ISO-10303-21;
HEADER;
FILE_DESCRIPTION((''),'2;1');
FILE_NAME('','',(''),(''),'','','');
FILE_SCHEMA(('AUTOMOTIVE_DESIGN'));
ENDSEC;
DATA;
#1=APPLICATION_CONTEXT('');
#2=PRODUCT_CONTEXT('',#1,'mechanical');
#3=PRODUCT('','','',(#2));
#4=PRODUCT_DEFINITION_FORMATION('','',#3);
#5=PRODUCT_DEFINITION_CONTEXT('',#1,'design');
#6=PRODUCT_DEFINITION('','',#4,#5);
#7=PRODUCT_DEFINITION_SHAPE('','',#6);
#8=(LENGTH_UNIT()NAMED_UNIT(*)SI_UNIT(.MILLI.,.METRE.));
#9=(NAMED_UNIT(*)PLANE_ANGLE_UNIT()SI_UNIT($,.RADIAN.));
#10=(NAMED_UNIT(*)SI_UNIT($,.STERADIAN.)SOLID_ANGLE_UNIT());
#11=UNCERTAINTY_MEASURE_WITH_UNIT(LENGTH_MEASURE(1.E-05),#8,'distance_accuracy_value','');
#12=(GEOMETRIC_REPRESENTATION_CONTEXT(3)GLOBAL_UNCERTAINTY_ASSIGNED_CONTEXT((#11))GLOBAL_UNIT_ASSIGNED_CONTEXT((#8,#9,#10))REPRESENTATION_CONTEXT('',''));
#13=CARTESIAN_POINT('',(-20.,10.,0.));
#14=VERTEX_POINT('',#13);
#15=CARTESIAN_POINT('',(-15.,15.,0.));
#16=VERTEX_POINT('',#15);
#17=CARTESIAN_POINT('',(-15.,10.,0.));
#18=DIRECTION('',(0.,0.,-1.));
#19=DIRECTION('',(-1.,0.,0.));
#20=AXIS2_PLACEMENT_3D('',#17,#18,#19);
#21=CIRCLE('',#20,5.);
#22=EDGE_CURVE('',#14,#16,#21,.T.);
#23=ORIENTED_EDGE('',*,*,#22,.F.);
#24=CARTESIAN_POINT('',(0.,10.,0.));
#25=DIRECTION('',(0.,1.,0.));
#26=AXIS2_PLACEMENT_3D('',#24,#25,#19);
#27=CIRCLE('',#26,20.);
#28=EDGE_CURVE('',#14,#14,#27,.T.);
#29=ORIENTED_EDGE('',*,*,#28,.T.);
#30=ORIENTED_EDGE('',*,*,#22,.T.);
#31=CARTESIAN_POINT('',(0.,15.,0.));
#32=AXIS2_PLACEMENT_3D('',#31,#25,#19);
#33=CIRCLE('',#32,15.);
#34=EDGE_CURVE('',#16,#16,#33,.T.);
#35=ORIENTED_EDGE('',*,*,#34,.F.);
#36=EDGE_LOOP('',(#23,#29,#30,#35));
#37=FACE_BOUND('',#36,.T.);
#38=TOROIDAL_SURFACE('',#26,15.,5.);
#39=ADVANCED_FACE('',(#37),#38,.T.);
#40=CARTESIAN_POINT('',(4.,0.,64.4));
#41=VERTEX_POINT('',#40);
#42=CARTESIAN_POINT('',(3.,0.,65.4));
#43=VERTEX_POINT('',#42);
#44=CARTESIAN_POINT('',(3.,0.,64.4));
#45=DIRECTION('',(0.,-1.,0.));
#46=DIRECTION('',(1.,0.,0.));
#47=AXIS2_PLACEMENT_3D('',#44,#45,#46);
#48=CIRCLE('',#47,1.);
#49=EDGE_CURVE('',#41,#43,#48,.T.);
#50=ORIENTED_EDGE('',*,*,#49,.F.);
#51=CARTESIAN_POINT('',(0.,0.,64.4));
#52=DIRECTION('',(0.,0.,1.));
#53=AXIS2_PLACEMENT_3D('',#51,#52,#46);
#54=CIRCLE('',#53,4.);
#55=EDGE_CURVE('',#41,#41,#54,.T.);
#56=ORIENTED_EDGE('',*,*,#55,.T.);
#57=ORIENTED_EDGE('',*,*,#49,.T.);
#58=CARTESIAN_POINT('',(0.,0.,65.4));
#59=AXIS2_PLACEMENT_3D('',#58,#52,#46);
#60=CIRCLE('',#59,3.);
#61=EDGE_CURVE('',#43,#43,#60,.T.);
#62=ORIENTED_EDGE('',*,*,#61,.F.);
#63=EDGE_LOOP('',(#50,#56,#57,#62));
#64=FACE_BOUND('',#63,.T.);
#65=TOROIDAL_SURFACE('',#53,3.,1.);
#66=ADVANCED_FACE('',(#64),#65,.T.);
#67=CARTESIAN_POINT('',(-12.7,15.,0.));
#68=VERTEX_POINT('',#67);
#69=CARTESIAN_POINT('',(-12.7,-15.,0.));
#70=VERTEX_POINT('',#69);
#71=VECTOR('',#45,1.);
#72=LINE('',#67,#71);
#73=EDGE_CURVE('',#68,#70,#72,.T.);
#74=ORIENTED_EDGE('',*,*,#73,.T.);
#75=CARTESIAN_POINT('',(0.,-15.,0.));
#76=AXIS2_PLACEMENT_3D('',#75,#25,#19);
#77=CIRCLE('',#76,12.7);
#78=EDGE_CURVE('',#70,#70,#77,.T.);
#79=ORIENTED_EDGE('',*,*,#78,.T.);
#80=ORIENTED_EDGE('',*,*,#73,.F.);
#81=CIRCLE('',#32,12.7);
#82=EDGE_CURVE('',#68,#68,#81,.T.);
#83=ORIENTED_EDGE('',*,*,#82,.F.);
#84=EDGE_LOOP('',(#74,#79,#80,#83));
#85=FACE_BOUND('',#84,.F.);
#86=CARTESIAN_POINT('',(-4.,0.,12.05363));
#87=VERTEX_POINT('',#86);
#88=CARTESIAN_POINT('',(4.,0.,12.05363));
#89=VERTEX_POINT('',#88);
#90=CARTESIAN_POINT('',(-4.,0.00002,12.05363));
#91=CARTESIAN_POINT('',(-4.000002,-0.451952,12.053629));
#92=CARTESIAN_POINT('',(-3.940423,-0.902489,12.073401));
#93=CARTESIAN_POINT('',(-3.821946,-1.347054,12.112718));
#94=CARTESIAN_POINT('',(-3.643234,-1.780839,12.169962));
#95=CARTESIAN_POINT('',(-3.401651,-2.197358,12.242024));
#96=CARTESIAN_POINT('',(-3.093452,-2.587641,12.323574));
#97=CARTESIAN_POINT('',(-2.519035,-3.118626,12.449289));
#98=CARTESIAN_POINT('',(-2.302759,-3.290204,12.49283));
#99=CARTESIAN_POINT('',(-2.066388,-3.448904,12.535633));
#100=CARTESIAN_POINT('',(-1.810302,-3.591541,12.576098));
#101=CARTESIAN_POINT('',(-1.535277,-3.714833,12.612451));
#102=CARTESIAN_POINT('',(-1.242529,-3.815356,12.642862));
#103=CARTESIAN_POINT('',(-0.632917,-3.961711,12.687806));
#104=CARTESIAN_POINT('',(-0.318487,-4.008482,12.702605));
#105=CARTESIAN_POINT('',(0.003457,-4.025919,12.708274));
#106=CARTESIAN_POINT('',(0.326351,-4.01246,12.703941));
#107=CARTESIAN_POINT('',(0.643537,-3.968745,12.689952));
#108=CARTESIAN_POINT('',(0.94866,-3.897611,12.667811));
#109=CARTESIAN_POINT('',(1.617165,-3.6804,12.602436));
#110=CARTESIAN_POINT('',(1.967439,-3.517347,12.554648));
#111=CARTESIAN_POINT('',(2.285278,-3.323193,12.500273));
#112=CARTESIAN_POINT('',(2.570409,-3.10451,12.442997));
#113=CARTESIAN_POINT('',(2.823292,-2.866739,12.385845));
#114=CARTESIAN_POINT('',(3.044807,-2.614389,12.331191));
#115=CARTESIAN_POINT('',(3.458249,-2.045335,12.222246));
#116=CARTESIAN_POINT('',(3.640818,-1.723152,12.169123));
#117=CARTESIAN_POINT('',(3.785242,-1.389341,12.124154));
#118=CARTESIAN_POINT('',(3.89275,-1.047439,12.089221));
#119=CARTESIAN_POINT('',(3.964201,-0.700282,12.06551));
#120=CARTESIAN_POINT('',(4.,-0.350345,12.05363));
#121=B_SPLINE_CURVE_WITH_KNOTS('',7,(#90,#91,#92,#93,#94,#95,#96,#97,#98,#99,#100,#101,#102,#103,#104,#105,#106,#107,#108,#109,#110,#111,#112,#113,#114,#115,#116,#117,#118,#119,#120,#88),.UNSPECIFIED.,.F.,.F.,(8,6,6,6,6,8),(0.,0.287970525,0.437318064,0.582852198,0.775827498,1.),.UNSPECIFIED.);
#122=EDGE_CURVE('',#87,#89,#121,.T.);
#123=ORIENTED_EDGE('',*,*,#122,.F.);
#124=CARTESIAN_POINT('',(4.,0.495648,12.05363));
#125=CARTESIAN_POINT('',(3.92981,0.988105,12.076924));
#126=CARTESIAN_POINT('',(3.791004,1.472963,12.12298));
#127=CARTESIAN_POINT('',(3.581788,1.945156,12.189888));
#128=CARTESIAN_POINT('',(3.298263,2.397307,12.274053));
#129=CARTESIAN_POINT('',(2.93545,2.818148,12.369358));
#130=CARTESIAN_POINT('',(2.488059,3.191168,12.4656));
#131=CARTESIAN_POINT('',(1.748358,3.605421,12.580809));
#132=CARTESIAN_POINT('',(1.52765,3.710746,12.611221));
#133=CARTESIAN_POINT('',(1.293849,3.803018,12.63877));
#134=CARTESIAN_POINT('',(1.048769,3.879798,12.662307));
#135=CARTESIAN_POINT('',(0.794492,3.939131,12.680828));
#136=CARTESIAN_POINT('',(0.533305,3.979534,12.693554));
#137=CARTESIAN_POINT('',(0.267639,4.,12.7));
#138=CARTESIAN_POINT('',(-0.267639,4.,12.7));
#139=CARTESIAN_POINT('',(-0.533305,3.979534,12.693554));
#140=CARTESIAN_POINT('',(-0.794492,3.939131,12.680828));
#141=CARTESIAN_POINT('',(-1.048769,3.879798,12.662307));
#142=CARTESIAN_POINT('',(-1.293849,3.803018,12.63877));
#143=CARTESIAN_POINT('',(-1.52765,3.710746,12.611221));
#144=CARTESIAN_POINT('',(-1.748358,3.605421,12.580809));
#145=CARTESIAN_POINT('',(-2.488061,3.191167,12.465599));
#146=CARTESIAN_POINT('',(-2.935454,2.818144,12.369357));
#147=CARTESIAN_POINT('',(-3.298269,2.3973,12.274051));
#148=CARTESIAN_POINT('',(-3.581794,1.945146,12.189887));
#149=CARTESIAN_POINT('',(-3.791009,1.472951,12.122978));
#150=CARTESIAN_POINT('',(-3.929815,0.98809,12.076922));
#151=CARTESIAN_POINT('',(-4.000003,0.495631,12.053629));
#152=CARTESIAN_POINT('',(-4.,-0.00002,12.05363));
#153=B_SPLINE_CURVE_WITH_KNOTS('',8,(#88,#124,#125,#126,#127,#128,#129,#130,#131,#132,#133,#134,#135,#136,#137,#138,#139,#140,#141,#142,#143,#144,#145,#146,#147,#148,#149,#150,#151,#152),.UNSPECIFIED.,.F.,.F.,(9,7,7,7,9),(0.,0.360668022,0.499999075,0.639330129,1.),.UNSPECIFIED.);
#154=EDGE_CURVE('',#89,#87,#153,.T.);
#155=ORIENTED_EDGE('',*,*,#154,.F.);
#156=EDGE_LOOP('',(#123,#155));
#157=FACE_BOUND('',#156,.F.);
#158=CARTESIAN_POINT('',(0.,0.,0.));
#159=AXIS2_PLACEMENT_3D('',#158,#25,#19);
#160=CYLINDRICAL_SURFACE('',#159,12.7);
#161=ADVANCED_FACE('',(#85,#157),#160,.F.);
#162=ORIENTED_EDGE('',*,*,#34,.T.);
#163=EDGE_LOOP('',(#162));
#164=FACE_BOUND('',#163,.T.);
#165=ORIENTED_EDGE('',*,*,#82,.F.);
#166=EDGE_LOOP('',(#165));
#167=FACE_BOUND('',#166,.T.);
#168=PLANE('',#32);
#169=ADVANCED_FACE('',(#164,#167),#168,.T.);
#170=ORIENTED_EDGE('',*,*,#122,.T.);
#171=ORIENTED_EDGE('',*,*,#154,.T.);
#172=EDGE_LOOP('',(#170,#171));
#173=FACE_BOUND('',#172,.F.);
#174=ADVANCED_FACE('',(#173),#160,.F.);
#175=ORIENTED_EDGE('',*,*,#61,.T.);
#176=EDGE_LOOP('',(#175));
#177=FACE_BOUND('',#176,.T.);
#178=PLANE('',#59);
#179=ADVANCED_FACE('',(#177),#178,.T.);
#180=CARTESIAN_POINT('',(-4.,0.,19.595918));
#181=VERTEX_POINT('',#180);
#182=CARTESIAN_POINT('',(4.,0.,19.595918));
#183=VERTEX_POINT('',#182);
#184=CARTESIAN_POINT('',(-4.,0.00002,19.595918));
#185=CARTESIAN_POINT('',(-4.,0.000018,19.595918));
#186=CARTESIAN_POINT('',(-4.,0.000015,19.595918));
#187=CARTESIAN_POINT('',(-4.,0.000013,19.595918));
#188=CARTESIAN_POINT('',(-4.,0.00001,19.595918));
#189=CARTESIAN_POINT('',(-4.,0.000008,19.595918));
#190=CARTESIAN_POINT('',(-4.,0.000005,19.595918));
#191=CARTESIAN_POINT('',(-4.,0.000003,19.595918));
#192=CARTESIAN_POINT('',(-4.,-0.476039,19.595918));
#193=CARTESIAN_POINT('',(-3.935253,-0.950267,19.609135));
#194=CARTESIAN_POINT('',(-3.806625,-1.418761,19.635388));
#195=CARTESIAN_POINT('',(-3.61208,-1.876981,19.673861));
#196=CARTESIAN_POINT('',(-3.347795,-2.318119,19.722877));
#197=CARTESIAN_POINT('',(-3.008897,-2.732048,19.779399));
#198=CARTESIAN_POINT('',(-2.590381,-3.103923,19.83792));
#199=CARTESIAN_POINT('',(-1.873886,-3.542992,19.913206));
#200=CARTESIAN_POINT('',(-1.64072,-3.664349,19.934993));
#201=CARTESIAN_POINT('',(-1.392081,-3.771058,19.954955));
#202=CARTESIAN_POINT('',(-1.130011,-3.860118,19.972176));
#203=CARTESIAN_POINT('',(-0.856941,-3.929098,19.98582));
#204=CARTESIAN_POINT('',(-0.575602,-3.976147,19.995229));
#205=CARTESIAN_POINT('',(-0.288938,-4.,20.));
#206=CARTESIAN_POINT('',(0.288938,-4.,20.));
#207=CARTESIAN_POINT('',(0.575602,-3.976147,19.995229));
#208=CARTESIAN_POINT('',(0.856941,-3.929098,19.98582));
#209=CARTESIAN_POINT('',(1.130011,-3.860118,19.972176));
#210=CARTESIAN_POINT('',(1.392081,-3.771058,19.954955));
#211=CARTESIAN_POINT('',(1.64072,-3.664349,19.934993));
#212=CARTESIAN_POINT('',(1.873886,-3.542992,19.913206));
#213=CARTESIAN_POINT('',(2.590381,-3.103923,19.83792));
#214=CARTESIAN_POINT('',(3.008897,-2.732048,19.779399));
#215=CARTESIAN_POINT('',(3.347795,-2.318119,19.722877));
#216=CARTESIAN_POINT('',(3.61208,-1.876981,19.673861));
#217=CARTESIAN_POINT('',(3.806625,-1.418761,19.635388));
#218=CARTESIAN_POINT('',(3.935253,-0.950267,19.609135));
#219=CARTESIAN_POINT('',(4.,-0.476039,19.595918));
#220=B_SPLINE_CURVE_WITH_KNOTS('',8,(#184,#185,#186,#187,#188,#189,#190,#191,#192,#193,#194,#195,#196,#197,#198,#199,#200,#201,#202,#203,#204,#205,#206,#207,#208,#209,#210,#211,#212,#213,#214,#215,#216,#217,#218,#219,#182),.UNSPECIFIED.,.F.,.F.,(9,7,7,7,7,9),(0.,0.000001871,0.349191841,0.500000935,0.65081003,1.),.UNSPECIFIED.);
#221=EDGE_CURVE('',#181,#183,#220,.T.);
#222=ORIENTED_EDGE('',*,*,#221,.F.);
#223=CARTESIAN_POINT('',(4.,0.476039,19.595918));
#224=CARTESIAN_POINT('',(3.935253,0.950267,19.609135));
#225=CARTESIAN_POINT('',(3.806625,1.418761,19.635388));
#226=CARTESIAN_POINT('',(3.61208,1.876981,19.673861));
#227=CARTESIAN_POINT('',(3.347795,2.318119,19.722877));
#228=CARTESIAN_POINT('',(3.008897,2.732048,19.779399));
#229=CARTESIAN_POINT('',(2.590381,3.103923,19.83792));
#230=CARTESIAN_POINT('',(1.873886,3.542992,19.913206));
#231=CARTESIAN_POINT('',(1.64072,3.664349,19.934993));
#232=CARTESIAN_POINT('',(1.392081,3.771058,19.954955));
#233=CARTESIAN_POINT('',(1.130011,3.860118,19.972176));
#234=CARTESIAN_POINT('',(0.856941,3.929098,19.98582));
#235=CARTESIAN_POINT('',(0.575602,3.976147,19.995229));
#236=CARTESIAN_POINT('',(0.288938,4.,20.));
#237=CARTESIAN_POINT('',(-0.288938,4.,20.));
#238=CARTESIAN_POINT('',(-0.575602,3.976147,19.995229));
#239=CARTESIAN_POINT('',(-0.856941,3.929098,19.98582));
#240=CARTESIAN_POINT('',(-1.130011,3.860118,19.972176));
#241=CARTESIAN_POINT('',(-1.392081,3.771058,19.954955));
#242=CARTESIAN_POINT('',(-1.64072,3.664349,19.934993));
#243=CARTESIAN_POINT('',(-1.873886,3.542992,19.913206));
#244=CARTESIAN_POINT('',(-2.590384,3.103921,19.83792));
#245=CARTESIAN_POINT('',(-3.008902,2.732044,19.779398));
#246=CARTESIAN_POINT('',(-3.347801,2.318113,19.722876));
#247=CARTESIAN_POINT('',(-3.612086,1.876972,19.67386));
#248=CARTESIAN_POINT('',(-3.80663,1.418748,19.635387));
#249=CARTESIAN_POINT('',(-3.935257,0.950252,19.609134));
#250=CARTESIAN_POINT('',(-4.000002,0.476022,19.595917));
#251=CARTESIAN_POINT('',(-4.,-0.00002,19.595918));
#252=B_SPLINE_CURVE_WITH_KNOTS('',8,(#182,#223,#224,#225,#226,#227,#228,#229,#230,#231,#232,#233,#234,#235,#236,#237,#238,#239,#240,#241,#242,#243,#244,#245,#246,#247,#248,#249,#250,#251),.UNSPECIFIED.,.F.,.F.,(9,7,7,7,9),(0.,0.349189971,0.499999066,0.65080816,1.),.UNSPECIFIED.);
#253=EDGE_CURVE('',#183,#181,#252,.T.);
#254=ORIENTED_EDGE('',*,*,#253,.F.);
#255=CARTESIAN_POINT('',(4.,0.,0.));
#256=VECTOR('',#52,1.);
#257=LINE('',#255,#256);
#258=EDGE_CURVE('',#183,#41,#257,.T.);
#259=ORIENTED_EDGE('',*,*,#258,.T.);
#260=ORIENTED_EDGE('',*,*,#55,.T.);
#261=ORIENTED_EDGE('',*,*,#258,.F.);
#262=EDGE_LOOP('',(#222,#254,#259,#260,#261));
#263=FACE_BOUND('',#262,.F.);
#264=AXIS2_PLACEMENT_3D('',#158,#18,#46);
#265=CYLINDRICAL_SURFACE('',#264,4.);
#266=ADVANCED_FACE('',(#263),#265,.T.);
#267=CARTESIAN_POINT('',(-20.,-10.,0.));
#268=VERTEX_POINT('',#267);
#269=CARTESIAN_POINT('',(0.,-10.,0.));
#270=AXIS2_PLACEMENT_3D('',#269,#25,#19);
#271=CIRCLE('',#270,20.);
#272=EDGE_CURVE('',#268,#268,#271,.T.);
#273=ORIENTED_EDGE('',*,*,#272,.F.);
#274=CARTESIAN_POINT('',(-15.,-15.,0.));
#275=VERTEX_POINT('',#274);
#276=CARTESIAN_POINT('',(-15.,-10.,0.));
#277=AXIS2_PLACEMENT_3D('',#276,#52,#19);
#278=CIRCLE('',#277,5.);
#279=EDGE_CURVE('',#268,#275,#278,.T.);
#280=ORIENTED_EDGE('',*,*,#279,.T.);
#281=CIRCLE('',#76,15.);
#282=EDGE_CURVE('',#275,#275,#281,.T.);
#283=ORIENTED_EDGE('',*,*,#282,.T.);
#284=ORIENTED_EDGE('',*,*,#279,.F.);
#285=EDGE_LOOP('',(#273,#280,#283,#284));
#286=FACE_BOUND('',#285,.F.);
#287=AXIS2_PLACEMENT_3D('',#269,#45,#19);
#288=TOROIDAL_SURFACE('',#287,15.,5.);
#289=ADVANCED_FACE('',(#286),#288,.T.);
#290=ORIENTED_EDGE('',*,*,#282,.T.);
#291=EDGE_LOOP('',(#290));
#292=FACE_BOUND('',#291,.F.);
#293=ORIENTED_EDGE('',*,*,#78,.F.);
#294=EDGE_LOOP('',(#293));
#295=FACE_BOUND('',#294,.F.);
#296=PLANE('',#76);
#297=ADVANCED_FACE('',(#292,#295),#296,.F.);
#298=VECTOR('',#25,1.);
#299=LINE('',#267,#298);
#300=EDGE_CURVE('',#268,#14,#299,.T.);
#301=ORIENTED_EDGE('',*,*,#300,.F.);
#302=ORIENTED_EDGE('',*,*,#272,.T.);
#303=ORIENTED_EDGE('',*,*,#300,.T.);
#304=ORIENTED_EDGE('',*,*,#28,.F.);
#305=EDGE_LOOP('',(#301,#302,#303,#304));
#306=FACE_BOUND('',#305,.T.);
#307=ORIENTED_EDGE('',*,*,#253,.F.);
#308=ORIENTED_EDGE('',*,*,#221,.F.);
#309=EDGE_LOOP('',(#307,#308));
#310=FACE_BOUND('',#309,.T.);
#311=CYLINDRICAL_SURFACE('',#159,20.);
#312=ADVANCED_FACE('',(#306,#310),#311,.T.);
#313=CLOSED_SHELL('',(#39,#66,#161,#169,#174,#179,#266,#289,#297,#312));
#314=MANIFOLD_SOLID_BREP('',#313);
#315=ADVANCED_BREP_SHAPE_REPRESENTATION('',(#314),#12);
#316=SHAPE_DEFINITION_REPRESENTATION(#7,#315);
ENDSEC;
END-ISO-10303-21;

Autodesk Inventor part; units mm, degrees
ref_plane "YZ Plane" through (0, 0, 0) normal (1, 0, 0) x (0, 1, 0)
ref_plane "XZ Plane" through (0, 0, 0) normal (0, 1, 0) x (-1, 0, 0)
ref_plane "XY Plane" through (0, 0, 0) normal (0, 0, 1) x (1, 0, 0)
sketch "Sketch1" plane through (0, 0, 0) normal (0, 1, 0) x (-1, 0, 0)
  circle A0 centre (0, 0) radius 12.7
  circle A1 centre (0, 0) radius 20
  dimension "d0" = 25.4
  dimension "d1" = 40
extrude "Extrusion1" add sketch "Sketch1" along normal mid plane 30
fillet "Fillet2" radius 5 2 edges at (20, 15, 0) (20, -15, 0)
sketch "Sketch6" plane through (0, 0, 0) normal (0, 0, 1) x (1, 0, 0)
  circle A0 centre (0, 0) radius 4
  dimension "d33" = 8
extrude "Extrusion6" add sketch "Sketch6" along normal blind 65.4
sketch "Sketch7" plane through (0, 0, 0) normal (0, 1, 0) x (-1, 0, 0)
  circle A0 centre (0, 0) radius 12.7
extrude "Extrusion7" cut sketch "Sketch7" along normal through all both and the other way through all
fillet "Fillet3" radius 1 1 edges at (-4, 0, 65.4)
properties part number "suporte-barra" material "Aluminium AW-7020"
